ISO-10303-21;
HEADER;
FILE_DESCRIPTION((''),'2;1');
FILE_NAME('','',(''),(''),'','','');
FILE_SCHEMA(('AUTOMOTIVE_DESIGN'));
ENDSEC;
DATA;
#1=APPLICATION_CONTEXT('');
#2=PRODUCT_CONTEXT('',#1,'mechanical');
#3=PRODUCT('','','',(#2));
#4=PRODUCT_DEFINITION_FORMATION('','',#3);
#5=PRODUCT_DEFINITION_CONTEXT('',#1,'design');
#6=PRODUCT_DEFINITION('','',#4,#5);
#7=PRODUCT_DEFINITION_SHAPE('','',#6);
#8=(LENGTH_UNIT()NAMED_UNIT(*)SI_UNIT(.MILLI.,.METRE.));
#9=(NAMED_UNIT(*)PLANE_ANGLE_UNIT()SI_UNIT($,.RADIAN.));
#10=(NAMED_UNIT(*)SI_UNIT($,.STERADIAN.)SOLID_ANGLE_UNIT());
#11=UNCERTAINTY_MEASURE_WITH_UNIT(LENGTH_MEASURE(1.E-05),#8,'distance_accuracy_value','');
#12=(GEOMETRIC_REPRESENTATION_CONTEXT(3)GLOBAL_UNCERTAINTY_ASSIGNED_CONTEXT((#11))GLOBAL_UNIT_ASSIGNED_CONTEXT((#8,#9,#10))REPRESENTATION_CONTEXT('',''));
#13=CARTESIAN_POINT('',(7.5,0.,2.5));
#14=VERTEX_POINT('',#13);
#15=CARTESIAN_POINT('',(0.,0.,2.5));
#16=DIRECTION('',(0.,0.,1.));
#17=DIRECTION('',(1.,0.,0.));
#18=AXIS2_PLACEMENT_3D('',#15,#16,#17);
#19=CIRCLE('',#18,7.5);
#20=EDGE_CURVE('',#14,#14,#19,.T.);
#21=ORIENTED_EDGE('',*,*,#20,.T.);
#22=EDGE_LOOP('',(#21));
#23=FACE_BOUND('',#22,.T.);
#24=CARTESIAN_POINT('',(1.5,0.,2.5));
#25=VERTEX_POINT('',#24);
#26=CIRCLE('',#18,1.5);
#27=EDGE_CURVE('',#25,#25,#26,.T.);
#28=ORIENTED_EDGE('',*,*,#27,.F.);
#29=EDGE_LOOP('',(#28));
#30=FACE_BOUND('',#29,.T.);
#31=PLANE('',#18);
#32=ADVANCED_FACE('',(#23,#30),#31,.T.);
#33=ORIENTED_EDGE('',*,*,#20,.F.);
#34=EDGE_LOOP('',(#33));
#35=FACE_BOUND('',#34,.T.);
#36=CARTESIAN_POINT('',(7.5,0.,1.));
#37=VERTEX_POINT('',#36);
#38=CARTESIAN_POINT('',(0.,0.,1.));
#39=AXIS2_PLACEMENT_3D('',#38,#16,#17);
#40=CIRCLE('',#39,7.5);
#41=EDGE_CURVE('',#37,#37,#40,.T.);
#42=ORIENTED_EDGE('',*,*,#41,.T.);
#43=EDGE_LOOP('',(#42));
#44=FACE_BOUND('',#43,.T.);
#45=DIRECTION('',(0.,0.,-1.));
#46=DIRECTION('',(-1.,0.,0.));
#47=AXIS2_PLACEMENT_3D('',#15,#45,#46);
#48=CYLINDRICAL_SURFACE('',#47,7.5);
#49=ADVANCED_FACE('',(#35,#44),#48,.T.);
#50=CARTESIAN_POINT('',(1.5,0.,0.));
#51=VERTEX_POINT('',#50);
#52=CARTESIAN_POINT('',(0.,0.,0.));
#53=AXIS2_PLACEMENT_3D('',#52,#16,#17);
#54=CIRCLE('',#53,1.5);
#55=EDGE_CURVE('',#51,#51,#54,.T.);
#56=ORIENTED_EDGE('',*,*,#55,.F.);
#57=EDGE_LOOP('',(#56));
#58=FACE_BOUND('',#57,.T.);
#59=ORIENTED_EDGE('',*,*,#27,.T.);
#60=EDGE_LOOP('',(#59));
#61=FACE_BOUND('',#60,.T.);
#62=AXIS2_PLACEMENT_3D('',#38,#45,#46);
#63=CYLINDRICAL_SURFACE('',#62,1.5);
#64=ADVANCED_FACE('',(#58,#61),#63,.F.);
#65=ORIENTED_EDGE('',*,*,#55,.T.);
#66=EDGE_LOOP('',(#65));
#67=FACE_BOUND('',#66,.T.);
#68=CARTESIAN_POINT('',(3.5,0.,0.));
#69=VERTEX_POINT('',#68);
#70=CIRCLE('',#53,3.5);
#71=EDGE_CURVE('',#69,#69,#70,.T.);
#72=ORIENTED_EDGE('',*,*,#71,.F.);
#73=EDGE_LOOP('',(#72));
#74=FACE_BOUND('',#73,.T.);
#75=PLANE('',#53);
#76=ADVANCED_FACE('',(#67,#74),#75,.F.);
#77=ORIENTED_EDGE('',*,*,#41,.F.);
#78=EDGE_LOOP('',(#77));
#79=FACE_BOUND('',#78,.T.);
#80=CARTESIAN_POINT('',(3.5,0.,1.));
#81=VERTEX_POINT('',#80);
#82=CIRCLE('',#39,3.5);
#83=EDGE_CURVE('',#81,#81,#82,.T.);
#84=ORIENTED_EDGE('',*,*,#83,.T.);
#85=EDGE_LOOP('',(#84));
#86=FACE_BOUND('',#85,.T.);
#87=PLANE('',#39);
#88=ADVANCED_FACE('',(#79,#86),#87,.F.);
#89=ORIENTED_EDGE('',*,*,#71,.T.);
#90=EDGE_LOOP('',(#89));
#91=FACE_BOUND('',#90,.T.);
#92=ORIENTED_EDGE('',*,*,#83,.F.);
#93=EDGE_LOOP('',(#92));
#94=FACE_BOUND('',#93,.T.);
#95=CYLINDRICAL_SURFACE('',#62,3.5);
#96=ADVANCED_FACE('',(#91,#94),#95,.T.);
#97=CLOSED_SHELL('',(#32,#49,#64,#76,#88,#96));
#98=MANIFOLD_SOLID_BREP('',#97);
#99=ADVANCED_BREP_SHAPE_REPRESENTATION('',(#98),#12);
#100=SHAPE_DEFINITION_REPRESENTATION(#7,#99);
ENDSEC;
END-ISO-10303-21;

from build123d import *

# Parameters (mm, degrees)
SKETCH1_R           = 3.5
SKETCH1_R_2         = 1.5
BOSS_EXTRUDE1_DEPTH = 1
SKETCH2_R           = 7.5
SKETCH2_R_2         = 1.5
BOSS_EXTRUDE2_DEPTH = 1.5


with BuildPart() as part:
    # Sketch1 → Boss-Extrude1 (new body)
    with BuildSketch(Plane.XY):
        Circle(SKETCH1_R)
        Circle(SKETCH1_R_2, mode=Mode.SUBTRACT)
    extrude(amount=BOSS_EXTRUDE1_DEPTH)

    # Sketch2 → Boss-Extrude2 (add)
    with BuildSketch(Plane.XY.offset(1)):
        Circle(SKETCH2_R)
        Circle(SKETCH2_R_2, mode=Mode.SUBTRACT)
    extrude(amount=BOSS_EXTRUDE2_DEPTH)


solid = part.part
